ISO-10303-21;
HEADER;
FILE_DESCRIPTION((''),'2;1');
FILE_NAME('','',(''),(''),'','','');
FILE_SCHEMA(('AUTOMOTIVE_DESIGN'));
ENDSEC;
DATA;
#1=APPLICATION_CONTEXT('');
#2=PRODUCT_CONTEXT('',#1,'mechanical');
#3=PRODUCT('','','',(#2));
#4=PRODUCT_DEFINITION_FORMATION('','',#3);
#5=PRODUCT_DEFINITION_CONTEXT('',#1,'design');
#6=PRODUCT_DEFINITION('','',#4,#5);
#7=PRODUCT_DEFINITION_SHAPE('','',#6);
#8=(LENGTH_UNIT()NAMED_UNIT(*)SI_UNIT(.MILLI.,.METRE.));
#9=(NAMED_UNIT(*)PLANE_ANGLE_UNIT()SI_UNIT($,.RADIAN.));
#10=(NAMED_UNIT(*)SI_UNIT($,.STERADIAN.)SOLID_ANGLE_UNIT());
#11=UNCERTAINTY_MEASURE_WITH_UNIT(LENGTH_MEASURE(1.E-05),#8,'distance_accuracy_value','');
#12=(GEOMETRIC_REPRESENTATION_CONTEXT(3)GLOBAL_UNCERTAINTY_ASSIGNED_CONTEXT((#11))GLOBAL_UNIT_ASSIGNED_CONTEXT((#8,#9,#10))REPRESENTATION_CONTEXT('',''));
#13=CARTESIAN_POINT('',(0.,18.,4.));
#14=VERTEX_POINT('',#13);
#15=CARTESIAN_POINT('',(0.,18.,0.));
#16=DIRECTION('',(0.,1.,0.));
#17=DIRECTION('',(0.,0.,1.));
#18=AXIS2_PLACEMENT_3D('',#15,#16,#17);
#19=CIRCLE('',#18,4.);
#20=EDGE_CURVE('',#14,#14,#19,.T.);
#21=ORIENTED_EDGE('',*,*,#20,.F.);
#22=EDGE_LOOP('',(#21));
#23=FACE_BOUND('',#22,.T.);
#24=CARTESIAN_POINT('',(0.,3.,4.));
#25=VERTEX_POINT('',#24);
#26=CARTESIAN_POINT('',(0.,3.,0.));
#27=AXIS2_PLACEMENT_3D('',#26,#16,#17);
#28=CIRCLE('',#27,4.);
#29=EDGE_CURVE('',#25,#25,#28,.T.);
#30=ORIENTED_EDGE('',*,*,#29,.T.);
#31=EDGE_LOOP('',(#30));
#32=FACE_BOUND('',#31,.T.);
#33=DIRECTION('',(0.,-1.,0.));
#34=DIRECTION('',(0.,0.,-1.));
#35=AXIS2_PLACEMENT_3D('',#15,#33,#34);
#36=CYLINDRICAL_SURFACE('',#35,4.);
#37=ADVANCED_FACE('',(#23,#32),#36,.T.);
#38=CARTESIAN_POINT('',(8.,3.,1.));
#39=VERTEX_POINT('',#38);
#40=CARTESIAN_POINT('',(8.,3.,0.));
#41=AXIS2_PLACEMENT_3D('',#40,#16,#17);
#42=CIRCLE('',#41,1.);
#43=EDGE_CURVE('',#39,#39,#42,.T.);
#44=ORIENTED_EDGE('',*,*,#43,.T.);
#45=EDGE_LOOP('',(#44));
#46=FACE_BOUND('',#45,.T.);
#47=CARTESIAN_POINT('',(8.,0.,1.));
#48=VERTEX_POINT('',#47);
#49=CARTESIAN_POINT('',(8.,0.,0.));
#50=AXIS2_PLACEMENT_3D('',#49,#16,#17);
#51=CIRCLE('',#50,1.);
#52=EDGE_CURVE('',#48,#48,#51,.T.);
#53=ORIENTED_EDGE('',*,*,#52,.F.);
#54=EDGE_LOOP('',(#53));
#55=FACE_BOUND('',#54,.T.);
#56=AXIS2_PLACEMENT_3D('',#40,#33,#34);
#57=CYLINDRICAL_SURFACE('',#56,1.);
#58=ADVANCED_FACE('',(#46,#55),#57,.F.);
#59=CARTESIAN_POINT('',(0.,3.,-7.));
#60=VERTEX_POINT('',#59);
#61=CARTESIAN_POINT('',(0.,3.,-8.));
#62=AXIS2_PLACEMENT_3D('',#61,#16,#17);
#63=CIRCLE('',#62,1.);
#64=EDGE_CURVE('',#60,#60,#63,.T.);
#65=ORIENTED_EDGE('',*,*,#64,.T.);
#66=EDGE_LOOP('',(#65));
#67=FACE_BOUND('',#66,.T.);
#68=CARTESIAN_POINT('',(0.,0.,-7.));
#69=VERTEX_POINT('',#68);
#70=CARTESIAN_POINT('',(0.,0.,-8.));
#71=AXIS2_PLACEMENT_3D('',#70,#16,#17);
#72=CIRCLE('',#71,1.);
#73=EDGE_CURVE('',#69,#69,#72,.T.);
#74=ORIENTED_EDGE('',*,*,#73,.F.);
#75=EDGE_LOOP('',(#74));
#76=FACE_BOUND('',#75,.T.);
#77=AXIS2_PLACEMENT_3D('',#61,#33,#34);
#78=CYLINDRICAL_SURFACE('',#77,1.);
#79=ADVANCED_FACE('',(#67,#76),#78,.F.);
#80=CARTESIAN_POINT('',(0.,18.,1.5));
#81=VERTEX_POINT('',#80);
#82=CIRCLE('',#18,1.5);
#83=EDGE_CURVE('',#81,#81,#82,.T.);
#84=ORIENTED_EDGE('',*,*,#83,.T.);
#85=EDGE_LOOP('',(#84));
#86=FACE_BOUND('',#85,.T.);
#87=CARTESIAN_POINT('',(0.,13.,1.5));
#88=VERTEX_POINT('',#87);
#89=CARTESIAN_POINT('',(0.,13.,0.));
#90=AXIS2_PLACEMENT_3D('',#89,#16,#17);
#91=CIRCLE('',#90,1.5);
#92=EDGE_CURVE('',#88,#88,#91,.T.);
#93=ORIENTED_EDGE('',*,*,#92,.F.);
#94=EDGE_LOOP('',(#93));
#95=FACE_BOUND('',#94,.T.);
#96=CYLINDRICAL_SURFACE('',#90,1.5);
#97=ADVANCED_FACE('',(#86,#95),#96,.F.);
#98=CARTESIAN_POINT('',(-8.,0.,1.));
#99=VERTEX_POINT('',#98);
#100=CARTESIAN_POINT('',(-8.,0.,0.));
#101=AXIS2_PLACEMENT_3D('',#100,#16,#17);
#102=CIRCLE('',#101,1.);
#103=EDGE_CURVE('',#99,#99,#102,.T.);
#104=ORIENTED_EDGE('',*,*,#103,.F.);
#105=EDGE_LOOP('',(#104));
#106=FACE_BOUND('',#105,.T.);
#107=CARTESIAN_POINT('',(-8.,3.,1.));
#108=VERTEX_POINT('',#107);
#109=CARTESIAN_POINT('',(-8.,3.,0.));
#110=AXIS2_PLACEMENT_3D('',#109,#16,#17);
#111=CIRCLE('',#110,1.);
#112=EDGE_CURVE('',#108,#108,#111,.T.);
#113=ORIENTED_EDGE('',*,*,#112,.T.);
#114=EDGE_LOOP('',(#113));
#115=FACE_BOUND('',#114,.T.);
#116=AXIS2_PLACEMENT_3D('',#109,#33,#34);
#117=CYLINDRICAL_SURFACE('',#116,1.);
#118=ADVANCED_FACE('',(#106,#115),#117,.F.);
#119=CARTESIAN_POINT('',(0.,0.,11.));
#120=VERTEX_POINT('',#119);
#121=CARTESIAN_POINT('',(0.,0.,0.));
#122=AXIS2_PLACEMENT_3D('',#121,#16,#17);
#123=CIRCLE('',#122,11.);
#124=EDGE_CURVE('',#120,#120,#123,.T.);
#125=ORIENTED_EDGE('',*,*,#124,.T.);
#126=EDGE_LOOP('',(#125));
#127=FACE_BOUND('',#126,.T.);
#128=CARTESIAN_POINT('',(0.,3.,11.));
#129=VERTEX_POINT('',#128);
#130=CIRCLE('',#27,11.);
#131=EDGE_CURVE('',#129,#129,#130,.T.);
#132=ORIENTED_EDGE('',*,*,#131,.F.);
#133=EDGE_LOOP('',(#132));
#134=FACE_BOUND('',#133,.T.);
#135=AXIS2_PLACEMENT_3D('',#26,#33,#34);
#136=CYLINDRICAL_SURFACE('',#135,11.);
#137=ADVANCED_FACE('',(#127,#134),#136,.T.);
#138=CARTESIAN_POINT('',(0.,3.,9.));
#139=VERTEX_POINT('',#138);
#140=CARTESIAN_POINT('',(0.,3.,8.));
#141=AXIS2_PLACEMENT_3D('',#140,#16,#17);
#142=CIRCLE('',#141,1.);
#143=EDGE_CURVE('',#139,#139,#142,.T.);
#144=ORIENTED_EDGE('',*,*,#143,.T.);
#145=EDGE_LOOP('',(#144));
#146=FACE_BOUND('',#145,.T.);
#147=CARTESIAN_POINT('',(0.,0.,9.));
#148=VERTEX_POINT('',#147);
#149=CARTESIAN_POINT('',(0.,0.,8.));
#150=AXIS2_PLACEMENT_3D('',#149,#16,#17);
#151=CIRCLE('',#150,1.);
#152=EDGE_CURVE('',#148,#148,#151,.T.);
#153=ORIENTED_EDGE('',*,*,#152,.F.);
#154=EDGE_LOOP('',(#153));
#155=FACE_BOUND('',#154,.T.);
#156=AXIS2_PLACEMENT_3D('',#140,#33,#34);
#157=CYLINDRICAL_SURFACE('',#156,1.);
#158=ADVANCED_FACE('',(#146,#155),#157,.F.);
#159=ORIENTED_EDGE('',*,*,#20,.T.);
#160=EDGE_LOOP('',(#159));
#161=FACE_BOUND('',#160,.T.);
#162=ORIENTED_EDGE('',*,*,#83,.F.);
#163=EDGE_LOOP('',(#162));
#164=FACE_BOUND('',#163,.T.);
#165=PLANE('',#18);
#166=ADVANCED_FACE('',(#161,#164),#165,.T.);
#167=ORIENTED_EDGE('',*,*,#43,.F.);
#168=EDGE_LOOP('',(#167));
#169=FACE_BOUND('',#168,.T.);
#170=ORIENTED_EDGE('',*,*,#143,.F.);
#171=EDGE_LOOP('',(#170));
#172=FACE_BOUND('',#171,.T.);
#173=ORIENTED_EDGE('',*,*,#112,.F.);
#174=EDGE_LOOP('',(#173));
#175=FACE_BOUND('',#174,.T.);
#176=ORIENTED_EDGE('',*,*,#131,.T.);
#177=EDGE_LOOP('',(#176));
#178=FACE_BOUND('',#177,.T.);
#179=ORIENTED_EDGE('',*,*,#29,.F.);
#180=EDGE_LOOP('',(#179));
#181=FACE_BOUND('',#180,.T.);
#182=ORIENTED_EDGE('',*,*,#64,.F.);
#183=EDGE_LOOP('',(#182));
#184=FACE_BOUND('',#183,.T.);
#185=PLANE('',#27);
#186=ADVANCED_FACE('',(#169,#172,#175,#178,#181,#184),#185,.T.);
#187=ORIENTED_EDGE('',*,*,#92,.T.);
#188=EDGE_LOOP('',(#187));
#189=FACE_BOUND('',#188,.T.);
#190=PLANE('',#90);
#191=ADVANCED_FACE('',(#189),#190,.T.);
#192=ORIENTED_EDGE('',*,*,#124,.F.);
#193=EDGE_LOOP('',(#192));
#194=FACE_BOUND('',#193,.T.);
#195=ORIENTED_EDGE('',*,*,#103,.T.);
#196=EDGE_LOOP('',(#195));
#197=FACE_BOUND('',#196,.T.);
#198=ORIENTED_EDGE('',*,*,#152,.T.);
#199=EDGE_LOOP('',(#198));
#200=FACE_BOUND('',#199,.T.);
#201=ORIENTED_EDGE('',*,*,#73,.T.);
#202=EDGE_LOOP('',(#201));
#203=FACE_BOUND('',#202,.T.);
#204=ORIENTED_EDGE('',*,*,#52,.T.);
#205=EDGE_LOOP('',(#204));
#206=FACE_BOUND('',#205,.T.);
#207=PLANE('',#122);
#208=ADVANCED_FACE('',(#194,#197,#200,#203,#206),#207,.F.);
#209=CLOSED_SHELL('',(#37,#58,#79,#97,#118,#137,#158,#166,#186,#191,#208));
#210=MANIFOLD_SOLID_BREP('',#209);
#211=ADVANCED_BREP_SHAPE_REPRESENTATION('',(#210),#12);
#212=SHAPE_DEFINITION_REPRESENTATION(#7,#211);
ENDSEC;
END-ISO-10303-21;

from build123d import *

# Parameters (mm, degrees)
SKETCH1_R           = 11
SKETCH1_R_2         = 1
BOSS_EXTRUDE1_DEPTH = 3
SKETCH2_R           = 4
BOSS_EXTRUDE2_DEPTH = 15
SKETCH3_R           = 1.5
CUT_EXTRUDE1_DEPTH  = 5


with BuildPart() as part:
    # Sketch1 → Boss-Extrude1 (new body)
    with BuildSketch(Plane(origin=(0, 0, 0), x_dir=(1, 0, 0), z_dir=(0, 1, 0))):
        with Locations(Location((0, 0, 0), (0, 0, 270))):
            Circle(SKETCH1_R)
        with Locations(Location((0, 8, 0), (0, 0, 270))):
            Circle(SKETCH1_R_2, mode=Mode.SUBTRACT)
        with Locations(Location((8, 0, 0), (0, 0, 270))):
            Circle(SKETCH1_R_2, mode=Mode.SUBTRACT)
        with Locations(Location((0, -8, 0), (0, 0, 270))):
            Circle(SKETCH1_R_2, mode=Mode.SUBTRACT)
        with Locations(Location((-8, 0, 0), (0, 0, 270))):
            Circle(SKETCH1_R_2, mode=Mode.SUBTRACT)
    extrude(amount=BOSS_EXTRUDE1_DEPTH)

    # Sketch2 → Boss-Extrude2 (add)
    with BuildSketch(Plane(origin=(0, 3, 0), x_dir=(1, 0, 0), z_dir=(0, 1, 0))):
        with Locations(Location((0, 0, 0), (0, 0, 270))):
            Circle(SKETCH2_R)
    extrude(amount=BOSS_EXTRUDE2_DEPTH)

    # Sketch3 → Cut-Extrude1 (cut)
    with BuildSketch(Plane(origin=(0, 18, 0), x_dir=(1, 0, 0), z_dir=(0, 1, 0))):
        with Locations(Location((0, 0, 0), (0, 0, 270))):
            Circle(SKETCH3_R)
    extrude(amount=-CUT_EXTRUDE1_DEPTH, mode=Mode.SUBTRACT)


solid = part.part
